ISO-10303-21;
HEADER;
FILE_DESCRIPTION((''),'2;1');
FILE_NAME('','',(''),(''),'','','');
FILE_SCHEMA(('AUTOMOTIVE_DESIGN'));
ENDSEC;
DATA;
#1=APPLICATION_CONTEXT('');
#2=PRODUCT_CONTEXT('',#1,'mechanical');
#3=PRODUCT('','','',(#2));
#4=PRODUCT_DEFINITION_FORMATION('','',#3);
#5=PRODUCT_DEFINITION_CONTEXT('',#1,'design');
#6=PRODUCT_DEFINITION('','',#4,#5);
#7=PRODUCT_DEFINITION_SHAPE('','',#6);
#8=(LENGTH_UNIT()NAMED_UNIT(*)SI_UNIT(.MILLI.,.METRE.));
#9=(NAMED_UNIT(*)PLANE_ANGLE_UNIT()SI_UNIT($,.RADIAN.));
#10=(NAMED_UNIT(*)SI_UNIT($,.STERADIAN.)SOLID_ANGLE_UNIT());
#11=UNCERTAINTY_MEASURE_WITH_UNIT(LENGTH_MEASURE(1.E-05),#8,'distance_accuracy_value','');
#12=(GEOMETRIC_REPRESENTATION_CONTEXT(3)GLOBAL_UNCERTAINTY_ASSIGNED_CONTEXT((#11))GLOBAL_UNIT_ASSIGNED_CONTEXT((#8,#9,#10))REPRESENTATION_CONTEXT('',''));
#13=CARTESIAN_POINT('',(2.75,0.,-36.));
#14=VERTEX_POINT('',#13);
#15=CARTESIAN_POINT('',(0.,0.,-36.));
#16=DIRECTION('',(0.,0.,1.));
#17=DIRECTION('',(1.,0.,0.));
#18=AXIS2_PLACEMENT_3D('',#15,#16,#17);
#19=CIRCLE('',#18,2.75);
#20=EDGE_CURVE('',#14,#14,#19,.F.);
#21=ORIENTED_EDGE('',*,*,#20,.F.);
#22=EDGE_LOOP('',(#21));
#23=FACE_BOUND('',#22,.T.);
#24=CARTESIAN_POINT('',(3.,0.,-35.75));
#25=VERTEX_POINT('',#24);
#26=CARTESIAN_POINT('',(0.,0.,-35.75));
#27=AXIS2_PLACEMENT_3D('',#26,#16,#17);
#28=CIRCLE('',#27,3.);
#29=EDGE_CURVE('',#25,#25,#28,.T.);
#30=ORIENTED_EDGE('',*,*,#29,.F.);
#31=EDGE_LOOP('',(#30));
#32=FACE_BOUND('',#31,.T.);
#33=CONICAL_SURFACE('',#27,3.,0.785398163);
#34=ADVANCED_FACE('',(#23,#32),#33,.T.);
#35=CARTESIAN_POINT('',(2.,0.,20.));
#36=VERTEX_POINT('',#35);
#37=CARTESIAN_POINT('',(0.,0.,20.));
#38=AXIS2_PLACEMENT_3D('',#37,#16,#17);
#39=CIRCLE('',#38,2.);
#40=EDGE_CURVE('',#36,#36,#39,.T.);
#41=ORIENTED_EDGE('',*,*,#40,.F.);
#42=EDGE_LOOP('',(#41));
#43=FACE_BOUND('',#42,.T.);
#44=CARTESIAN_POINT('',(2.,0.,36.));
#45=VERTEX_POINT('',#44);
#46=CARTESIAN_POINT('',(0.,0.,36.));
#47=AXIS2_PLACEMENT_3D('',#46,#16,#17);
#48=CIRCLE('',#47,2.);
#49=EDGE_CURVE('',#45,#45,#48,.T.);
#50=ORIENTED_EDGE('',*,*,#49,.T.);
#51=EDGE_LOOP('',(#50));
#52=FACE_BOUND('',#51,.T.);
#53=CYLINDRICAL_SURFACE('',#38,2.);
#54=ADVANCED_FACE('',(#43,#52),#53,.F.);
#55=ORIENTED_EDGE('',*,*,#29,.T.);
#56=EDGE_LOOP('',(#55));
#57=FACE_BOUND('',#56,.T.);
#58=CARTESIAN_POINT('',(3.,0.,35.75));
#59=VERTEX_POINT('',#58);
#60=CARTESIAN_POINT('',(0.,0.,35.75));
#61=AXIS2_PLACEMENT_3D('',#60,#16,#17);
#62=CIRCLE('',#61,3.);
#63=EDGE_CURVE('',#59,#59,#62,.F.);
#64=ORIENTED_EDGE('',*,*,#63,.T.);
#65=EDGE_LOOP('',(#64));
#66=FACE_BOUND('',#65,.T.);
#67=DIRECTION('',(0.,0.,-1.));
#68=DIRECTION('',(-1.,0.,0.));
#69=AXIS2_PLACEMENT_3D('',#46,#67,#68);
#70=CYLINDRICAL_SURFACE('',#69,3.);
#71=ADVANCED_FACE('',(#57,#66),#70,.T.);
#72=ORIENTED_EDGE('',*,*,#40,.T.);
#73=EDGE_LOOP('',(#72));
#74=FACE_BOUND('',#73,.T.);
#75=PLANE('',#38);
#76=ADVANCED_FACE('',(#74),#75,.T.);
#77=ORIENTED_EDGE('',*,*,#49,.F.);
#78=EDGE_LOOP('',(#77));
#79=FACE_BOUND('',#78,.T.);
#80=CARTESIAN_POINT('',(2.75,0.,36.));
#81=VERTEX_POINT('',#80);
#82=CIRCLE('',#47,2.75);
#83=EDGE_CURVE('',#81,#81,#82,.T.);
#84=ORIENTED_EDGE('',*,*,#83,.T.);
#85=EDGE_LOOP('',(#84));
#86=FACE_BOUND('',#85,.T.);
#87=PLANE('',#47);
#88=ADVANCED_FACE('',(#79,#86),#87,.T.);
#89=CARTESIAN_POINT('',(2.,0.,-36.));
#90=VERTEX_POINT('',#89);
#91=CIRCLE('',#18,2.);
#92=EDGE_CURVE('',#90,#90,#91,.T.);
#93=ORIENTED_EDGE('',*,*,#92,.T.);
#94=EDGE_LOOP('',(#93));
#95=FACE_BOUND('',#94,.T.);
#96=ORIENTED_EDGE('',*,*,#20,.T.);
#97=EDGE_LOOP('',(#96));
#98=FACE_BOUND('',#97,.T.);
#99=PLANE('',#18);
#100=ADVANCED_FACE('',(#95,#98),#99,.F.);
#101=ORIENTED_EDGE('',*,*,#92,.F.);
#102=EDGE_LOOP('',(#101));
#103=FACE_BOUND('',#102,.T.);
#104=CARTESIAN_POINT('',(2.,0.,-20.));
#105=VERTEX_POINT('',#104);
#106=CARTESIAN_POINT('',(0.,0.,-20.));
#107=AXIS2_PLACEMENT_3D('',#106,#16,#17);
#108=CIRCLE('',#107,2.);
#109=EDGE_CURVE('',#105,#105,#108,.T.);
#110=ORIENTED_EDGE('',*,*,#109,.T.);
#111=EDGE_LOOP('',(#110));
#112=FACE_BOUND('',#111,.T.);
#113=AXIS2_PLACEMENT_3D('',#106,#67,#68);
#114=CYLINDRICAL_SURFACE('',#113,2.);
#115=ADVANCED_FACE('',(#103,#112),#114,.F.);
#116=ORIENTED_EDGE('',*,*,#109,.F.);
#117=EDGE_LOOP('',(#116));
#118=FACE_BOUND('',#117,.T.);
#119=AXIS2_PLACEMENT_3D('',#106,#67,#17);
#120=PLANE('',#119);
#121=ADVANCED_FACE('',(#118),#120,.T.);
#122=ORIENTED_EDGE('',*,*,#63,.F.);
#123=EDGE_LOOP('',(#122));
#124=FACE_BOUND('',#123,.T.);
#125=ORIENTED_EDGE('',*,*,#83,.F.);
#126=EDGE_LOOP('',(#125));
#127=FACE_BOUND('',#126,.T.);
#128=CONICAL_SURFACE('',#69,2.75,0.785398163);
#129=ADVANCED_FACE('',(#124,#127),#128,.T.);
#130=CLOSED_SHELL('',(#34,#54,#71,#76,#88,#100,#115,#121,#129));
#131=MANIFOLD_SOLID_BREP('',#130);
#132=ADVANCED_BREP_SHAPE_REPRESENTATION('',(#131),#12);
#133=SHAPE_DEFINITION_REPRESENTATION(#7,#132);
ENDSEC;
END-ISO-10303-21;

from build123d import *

# Parameters (mm, degrees)
ESBO_O1_R                = 3
RESSALTO_EXTRUS_O1_DEPTH = 36
CHANFRO1_SIZE            = 0.25
ESBO_O2_R                = 2
CORTE_EXTRUS_O1_DEPTH    = 16


with BuildPart() as part:
    # Esboço1 → Ressalto-extrusão1 (new, symmetric)
    with BuildSketch(Plane.XY):
        Circle(ESBO_O1_R)
    extrude(amount=RESSALTO_EXTRUS_O1_DEPTH, both=True)

    # Chanfro1
    chanfro1_edges = [part.edges().sort_by_distance(p)[0] for p in [
        (-3, 0, -36),
        (-3, 0, 36),
    ]]
    chamfer(chanfro1_edges, length=CHANFRO1_SIZE)

    # Esboço2 → Corte-extrusão1 (cut)
    with BuildSketch(Plane.XY.offset(36)):
        Circle(ESBO_O2_R)
    corte_extrus_o1 = extrude(amount=-CORTE_EXTRUS_O1_DEPTH, mode=Mode.SUBTRACT)

    # Espelhar1: Corte-extrusão1 across plane
    add(corte_extrus_o1.mirror(Plane.XY), mode=Mode.SUBTRACT)


solid = part.part
